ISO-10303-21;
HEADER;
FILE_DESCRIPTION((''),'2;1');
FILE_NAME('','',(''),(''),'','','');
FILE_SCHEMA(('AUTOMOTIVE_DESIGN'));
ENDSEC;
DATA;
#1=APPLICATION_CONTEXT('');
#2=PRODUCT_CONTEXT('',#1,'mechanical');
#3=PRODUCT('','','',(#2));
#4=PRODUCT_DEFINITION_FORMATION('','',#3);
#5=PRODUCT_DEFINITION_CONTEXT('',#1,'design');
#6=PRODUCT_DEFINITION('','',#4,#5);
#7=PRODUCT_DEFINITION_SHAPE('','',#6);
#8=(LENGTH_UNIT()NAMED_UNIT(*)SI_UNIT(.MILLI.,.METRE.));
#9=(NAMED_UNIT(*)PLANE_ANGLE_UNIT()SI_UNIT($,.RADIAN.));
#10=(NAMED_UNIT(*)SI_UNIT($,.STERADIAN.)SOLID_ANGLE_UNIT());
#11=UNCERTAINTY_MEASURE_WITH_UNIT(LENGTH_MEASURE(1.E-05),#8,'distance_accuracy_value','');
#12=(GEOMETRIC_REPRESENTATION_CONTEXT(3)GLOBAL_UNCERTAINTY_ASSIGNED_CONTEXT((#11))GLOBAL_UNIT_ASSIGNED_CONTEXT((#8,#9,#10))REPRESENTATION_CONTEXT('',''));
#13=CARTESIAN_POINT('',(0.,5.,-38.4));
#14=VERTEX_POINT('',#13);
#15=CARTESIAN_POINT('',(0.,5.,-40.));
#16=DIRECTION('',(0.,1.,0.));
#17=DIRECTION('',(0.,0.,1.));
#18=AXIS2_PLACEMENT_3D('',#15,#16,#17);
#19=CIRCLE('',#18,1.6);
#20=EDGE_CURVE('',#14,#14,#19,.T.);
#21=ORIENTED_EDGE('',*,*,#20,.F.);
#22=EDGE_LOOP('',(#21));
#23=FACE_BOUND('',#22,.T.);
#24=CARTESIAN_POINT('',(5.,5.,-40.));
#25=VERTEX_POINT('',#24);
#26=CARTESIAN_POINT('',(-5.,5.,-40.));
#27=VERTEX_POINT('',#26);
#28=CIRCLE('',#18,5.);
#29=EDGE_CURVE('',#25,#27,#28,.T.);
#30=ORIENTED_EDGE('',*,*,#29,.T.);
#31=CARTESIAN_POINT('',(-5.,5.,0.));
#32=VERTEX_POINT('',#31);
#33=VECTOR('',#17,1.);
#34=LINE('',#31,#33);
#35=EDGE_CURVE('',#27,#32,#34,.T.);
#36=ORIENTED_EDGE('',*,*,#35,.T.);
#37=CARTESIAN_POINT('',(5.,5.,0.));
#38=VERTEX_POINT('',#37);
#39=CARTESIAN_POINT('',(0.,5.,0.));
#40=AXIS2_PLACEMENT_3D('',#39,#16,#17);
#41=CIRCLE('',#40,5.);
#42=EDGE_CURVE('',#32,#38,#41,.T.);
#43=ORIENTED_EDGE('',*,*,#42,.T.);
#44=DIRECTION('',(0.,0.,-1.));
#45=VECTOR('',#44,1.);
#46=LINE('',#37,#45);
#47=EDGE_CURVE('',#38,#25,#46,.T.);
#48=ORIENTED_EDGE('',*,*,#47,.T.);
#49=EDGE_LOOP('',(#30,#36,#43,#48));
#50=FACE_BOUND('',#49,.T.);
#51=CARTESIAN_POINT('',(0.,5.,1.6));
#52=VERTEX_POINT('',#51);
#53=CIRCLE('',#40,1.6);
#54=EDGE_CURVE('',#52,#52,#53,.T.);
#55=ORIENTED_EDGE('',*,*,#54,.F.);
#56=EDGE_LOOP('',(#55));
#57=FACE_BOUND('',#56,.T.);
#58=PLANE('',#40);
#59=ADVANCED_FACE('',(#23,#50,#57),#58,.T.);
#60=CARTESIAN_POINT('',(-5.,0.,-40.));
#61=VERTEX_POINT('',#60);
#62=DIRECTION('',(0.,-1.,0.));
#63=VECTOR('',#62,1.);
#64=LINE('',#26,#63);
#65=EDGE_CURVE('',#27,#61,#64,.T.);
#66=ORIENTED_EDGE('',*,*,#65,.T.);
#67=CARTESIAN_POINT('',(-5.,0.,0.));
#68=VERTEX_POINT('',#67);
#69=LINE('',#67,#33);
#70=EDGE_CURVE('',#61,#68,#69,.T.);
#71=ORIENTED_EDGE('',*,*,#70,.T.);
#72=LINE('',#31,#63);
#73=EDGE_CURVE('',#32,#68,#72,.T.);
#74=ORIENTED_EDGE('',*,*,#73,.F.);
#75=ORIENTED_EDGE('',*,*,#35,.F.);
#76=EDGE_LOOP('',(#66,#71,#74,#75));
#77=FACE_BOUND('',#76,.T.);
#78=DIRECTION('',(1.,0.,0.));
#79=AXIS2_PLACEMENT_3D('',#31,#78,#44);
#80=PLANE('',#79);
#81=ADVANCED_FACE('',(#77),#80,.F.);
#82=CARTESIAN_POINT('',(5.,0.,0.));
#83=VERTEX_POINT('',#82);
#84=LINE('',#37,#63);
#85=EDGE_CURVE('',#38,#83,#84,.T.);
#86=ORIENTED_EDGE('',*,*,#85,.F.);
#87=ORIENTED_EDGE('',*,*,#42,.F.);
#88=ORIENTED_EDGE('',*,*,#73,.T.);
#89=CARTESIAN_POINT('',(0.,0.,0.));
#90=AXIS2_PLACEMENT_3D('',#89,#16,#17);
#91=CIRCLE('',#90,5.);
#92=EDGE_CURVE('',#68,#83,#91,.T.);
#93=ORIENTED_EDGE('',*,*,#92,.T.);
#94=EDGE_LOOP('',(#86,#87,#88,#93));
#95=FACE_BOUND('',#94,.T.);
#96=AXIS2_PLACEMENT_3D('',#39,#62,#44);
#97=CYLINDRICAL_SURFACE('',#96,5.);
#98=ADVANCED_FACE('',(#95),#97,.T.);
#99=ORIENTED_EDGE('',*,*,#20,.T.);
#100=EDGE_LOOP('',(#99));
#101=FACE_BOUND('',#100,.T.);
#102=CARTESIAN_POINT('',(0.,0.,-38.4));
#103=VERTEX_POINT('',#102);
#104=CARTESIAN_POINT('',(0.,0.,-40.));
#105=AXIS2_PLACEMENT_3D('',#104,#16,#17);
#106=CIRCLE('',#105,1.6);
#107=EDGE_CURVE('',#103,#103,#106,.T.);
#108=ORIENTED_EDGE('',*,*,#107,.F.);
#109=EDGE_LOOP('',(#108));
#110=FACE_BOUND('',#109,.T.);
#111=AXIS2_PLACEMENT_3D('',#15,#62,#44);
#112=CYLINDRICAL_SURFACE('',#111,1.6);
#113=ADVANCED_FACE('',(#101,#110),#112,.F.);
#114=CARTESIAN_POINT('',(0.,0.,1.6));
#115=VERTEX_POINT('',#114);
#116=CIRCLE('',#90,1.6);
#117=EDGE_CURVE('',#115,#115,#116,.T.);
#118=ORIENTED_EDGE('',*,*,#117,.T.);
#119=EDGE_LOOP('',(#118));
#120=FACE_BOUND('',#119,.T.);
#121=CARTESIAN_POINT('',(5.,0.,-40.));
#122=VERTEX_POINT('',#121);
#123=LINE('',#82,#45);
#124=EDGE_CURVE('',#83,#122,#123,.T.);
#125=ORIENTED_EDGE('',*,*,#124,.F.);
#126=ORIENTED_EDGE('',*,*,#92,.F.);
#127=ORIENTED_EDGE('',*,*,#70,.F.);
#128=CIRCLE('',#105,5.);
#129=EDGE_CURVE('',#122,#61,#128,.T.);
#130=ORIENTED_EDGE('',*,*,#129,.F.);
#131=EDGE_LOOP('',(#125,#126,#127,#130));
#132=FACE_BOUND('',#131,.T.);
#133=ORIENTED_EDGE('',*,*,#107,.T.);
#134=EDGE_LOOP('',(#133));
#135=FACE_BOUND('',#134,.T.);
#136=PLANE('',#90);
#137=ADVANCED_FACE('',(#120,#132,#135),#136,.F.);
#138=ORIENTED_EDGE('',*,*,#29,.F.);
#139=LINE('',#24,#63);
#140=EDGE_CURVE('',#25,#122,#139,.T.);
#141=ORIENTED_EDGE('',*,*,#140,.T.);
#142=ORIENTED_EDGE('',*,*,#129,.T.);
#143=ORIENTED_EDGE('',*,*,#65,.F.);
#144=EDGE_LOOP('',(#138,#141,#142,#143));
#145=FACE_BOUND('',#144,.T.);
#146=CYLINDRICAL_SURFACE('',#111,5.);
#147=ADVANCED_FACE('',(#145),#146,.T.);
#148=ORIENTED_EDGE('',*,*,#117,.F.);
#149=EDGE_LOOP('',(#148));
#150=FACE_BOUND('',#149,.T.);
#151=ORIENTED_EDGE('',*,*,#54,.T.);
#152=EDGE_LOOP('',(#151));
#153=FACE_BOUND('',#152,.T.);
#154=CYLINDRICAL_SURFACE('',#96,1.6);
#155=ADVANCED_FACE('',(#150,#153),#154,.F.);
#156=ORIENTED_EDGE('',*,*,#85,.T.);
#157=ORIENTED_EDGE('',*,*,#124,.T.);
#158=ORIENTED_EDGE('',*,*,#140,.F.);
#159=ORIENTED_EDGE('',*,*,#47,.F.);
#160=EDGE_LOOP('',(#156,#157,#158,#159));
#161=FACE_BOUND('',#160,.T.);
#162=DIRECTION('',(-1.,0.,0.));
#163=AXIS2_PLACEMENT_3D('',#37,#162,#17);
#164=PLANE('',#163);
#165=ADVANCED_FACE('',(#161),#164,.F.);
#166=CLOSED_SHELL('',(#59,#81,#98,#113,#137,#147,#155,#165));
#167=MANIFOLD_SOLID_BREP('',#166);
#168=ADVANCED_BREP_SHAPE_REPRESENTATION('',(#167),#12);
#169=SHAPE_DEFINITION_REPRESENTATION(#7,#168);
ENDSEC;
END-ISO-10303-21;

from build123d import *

# Parameters (mm, degrees)
SKETCH1_R           = 1.6
BOSS_EXTRUDE1_DEPTH = 5


with BuildPart() as part:
    # Sketch1 → Boss-Extrude1 (new body)
    with BuildSketch(Plane(origin=(0, 0, 0), x_dir=(1, 0, 0), z_dir=(0, 1, 0))):
        with BuildLine():
            Line((-5, 0), (-5, 40))
            ThreePointArc((-5, 40), (0, 45), (5, 40))
            Line((5, 40), (5, 0))
            ThreePointArc((5, 0), (0, -5), (-5, 0))
        make_face()
        with Locations(Location((0, 40, 0), (0, 0, 270))):
            Circle(SKETCH1_R, mode=Mode.SUBTRACT)
        with Locations(Location((0, 0, 0), (0, 0, 270))):
            Circle(SKETCH1_R, mode=Mode.SUBTRACT)
    extrude(amount=BOSS_EXTRUDE1_DEPTH)


solid = part.part
